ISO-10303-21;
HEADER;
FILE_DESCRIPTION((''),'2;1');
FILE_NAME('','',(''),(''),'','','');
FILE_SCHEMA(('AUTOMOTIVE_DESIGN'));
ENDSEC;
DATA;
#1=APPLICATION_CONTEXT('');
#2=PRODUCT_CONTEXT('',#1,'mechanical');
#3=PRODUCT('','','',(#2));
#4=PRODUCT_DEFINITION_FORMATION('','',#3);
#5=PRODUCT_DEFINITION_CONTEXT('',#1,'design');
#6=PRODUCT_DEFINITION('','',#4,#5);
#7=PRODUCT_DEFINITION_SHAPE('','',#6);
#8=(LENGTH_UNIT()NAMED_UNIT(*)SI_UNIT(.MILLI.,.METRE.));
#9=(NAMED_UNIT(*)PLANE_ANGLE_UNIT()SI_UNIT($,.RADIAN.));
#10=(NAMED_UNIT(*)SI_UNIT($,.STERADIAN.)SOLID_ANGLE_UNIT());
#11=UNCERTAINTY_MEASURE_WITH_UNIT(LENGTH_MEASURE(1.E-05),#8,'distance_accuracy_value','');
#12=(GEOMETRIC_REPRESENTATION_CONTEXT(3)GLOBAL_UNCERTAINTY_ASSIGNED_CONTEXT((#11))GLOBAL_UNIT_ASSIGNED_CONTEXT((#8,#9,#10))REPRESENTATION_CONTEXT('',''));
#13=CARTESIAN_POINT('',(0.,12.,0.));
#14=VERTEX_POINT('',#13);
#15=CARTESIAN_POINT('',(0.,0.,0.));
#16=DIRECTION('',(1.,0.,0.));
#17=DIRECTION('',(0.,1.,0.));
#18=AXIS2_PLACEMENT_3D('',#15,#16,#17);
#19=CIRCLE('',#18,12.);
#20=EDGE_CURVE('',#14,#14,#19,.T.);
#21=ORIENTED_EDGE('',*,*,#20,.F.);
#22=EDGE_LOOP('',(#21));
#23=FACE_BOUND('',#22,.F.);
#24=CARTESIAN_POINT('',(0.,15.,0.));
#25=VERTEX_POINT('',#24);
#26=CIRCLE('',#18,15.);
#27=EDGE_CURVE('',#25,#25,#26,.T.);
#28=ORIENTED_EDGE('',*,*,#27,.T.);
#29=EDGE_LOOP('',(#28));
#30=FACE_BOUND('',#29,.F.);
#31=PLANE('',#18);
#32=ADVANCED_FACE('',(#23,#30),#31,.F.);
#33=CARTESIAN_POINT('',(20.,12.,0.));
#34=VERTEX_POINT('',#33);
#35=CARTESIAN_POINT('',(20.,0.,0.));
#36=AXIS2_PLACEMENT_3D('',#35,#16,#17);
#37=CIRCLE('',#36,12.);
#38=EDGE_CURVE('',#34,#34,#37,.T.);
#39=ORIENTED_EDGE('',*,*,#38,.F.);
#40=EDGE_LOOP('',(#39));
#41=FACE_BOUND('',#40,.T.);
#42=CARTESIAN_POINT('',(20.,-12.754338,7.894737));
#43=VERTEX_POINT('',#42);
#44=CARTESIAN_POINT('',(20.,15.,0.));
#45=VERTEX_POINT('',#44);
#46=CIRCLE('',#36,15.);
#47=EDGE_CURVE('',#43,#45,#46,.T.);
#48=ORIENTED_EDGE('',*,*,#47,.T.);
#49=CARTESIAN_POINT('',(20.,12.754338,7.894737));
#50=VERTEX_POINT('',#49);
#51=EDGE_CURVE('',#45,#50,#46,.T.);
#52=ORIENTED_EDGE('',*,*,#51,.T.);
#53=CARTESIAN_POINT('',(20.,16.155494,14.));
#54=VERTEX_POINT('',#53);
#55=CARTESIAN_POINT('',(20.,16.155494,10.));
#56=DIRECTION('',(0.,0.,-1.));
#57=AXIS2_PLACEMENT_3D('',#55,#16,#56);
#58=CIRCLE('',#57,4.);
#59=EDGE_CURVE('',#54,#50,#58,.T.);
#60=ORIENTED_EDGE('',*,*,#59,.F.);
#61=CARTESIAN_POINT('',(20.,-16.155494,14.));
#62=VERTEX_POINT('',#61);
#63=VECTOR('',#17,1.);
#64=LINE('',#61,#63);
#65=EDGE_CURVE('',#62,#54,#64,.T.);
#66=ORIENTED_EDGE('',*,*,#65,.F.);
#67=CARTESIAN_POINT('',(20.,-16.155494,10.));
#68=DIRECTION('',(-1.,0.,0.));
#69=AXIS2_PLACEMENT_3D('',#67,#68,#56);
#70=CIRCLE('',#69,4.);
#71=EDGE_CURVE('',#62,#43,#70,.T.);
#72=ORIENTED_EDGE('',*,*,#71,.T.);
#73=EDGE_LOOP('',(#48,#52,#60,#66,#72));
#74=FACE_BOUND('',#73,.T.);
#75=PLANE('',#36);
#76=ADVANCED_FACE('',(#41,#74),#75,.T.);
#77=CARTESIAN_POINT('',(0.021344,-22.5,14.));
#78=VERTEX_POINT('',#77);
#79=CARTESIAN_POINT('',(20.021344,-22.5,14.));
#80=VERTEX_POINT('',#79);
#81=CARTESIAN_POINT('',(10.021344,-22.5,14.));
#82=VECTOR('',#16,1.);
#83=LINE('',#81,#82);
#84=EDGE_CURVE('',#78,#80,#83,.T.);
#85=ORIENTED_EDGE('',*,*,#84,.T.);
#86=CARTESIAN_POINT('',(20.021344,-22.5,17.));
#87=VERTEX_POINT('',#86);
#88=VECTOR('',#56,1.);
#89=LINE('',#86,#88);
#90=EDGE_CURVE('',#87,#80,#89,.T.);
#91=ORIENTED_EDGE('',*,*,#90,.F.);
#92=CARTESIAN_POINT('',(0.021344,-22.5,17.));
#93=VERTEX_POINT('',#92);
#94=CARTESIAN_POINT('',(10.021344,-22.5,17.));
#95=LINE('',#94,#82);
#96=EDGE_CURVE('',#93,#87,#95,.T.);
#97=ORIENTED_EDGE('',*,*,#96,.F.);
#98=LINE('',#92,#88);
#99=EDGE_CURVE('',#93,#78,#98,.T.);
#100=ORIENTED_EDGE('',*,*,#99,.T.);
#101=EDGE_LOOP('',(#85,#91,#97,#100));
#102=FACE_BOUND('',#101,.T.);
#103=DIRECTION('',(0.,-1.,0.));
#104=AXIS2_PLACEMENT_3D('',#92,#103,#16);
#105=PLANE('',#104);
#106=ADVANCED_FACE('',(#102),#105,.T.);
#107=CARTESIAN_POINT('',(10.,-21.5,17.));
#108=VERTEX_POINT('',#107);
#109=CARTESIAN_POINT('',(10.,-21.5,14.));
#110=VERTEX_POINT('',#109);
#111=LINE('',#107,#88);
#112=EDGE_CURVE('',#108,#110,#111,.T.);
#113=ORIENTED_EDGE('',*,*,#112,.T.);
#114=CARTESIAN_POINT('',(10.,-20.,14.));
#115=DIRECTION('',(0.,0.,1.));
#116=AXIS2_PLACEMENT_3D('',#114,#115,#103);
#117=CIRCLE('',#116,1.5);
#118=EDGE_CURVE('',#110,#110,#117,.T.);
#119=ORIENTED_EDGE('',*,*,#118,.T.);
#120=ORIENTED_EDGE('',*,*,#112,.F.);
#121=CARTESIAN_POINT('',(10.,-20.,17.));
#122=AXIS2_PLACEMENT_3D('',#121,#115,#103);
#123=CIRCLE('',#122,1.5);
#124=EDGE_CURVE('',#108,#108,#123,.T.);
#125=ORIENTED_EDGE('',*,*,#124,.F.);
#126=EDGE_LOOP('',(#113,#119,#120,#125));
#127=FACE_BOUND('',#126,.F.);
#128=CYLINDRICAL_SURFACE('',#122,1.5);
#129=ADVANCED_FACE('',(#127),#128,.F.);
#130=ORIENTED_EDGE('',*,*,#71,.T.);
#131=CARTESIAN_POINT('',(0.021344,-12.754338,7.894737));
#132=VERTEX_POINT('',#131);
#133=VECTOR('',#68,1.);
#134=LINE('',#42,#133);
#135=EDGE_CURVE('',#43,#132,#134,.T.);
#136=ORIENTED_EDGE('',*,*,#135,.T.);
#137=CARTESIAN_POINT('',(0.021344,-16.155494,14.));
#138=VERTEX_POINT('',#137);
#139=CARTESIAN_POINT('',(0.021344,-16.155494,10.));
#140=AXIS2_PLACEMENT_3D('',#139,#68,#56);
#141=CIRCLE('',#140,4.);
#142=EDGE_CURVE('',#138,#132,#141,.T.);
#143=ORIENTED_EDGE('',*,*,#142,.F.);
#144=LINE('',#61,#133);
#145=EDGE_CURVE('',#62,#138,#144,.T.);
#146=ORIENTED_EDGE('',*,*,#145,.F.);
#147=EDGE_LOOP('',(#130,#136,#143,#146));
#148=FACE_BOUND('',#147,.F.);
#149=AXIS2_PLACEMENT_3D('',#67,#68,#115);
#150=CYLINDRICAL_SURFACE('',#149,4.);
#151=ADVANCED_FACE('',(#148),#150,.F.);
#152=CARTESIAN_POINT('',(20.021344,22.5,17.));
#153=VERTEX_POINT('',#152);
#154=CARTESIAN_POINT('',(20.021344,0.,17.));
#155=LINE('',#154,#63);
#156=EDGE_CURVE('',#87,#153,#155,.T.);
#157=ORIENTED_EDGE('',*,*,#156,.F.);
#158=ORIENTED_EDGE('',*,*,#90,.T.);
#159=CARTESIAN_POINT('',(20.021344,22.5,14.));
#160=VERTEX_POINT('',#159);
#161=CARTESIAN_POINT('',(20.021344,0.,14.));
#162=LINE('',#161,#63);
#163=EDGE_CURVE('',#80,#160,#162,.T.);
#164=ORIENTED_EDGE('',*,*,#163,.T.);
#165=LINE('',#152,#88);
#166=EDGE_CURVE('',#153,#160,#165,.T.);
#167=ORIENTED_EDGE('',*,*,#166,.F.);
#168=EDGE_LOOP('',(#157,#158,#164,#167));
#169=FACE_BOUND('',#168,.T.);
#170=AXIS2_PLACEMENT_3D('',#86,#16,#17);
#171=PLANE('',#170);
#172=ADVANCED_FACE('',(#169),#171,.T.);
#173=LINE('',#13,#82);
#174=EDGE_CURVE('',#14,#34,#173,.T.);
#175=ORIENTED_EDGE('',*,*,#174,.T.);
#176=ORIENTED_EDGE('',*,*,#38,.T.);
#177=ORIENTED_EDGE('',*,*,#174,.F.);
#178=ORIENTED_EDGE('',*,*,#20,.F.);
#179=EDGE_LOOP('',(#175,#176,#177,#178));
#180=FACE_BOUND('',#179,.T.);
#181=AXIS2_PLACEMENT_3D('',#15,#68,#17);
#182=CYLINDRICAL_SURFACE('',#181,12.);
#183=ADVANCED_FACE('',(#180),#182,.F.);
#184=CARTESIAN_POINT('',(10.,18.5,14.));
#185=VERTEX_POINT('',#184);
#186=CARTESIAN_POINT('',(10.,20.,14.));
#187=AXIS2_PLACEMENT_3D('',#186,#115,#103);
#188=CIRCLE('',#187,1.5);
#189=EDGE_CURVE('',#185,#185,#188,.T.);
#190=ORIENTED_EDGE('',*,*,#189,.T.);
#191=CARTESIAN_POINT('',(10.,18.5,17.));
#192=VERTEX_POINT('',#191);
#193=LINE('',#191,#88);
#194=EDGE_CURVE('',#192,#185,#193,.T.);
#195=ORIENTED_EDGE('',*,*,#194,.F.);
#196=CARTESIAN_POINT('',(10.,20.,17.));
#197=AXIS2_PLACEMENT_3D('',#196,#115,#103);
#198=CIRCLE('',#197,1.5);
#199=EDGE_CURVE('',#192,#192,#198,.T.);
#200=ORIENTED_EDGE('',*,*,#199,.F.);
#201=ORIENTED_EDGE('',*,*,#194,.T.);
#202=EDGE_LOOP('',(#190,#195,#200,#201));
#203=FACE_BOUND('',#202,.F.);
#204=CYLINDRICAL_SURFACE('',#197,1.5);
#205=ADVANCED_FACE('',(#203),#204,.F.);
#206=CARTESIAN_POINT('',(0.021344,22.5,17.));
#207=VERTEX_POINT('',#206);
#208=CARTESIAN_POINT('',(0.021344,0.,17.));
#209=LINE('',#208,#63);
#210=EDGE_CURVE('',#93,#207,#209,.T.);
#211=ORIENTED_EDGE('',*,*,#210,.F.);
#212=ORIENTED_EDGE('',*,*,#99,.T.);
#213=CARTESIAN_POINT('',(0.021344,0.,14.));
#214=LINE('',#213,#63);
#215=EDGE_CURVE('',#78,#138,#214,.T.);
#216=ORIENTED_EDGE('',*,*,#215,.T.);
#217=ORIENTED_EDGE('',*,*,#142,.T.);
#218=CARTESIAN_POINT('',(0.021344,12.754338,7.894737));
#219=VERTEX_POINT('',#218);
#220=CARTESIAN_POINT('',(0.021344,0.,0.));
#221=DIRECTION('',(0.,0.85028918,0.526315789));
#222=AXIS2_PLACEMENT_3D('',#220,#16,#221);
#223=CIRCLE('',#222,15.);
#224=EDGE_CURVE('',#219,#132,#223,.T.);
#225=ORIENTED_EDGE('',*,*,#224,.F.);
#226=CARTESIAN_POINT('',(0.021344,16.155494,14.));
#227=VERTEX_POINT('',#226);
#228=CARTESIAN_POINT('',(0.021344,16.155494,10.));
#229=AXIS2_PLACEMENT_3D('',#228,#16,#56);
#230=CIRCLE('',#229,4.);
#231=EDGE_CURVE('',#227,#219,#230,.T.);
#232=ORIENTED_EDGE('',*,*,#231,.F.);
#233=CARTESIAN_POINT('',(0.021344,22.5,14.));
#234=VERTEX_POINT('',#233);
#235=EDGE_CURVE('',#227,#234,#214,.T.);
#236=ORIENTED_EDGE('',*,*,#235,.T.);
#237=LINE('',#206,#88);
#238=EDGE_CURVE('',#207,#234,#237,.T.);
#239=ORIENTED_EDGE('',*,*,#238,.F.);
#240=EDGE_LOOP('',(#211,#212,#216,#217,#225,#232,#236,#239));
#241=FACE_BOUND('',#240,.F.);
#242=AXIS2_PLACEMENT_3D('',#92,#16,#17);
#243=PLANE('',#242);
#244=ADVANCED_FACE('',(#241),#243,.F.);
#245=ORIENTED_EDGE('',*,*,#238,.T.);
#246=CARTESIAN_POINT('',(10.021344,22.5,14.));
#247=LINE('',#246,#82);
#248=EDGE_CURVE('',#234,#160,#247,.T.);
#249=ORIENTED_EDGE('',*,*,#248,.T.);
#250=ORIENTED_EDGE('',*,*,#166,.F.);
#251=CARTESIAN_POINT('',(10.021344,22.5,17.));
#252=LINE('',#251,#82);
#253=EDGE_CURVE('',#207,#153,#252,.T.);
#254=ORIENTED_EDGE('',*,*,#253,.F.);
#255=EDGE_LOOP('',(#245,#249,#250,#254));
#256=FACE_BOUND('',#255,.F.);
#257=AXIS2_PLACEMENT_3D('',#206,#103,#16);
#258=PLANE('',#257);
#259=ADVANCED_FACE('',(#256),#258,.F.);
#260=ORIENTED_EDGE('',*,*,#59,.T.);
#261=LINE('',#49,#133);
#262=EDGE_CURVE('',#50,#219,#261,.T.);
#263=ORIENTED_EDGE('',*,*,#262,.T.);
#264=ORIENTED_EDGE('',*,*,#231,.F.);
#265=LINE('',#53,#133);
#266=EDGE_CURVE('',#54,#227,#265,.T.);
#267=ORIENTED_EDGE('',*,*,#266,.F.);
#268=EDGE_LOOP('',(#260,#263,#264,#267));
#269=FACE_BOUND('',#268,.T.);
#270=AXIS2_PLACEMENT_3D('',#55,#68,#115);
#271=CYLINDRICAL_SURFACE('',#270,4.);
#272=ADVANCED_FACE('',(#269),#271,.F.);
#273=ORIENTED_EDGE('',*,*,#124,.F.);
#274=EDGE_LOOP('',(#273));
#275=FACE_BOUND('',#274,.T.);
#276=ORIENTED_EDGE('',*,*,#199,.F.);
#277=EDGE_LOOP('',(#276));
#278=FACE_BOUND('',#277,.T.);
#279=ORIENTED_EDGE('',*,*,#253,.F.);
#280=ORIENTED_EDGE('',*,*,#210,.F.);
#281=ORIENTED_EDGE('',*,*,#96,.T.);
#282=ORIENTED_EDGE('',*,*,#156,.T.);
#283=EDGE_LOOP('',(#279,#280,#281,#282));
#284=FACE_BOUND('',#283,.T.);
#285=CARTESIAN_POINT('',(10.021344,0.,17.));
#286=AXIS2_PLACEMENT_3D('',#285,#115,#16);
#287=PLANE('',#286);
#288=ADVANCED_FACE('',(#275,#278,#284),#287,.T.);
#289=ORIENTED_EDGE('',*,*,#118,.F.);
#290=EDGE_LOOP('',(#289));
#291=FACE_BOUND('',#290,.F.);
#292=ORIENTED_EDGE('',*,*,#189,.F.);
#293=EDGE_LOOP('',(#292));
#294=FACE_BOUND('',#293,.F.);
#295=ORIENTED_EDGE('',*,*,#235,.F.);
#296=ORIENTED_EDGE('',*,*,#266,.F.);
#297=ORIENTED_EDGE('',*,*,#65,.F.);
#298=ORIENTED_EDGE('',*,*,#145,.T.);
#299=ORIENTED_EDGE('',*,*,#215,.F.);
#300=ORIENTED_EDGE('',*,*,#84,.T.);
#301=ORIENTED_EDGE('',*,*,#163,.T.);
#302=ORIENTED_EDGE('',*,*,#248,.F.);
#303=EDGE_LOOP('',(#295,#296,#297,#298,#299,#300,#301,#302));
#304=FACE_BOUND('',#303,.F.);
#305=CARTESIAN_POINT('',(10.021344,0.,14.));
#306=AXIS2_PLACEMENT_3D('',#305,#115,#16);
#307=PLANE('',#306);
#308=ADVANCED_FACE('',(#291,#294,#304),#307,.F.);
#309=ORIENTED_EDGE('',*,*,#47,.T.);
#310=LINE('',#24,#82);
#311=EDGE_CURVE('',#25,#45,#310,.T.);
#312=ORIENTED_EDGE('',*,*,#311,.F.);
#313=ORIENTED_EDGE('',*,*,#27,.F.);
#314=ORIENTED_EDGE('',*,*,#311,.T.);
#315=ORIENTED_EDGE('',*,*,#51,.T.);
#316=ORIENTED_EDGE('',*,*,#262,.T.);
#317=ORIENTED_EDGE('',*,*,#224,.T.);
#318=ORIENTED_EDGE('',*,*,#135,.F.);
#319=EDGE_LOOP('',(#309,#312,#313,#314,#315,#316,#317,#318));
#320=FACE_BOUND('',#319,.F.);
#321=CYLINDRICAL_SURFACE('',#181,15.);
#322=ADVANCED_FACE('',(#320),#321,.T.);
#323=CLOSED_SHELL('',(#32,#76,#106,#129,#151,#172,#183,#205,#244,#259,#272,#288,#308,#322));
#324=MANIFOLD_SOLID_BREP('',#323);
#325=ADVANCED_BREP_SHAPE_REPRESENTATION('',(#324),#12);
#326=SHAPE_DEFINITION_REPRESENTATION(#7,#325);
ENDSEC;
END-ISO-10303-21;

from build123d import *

# Parameters (mm, degrees)
SKETCH_R     = 15
SKETCH_R_2   = 12
PAD_DEPTH    = 20
SKETCH001_W  = 20
SKETCH001_H  = 45
PAD001_DEPTH = 3
SKETCH002_R  = 1.5
POCKET_DEPTH = 5
FILLET_R     = 4


with BuildPart() as part:
    # Sketch → Pad (new body)
    with BuildSketch(Plane.YZ):
        Circle(SKETCH_R)
        Circle(SKETCH_R_2, mode=Mode.SUBTRACT)
    extrude(amount=PAD_DEPTH)

    # Sketch001 (on DatumPlane) → Pad001 (join)
    with BuildSketch(Plane.XY.offset(17)):
        with Locations((10.021344, 0)):
            Rectangle(SKETCH001_W, SKETCH001_H)
    extrude(amount=-PAD001_DEPTH)

    # Sketch002 (on Face10 of Pad001) → Pocket (cut)
    with BuildSketch(Plane(origin=(0, 0, 17), x_dir=(0, -1, 0), z_dir=(0, 0, 1))):
        with Locations((-20, 10)):
            Circle(SKETCH002_R)
        with Locations((20, 10)):
            Circle(SKETCH002_R)
    extrude(amount=-POCKET_DEPTH, mode=Mode.SUBTRACT)

    # Fillet
    fillet_edges = [part.edges().sort_by_distance(p)[0] for p in [
        (10.010672, -5.385165, 14),
        (10.010672, 5.385165, 14),
    ]]
    fillet(fillet_edges, radius=FILLET_R)


solid = part.part
